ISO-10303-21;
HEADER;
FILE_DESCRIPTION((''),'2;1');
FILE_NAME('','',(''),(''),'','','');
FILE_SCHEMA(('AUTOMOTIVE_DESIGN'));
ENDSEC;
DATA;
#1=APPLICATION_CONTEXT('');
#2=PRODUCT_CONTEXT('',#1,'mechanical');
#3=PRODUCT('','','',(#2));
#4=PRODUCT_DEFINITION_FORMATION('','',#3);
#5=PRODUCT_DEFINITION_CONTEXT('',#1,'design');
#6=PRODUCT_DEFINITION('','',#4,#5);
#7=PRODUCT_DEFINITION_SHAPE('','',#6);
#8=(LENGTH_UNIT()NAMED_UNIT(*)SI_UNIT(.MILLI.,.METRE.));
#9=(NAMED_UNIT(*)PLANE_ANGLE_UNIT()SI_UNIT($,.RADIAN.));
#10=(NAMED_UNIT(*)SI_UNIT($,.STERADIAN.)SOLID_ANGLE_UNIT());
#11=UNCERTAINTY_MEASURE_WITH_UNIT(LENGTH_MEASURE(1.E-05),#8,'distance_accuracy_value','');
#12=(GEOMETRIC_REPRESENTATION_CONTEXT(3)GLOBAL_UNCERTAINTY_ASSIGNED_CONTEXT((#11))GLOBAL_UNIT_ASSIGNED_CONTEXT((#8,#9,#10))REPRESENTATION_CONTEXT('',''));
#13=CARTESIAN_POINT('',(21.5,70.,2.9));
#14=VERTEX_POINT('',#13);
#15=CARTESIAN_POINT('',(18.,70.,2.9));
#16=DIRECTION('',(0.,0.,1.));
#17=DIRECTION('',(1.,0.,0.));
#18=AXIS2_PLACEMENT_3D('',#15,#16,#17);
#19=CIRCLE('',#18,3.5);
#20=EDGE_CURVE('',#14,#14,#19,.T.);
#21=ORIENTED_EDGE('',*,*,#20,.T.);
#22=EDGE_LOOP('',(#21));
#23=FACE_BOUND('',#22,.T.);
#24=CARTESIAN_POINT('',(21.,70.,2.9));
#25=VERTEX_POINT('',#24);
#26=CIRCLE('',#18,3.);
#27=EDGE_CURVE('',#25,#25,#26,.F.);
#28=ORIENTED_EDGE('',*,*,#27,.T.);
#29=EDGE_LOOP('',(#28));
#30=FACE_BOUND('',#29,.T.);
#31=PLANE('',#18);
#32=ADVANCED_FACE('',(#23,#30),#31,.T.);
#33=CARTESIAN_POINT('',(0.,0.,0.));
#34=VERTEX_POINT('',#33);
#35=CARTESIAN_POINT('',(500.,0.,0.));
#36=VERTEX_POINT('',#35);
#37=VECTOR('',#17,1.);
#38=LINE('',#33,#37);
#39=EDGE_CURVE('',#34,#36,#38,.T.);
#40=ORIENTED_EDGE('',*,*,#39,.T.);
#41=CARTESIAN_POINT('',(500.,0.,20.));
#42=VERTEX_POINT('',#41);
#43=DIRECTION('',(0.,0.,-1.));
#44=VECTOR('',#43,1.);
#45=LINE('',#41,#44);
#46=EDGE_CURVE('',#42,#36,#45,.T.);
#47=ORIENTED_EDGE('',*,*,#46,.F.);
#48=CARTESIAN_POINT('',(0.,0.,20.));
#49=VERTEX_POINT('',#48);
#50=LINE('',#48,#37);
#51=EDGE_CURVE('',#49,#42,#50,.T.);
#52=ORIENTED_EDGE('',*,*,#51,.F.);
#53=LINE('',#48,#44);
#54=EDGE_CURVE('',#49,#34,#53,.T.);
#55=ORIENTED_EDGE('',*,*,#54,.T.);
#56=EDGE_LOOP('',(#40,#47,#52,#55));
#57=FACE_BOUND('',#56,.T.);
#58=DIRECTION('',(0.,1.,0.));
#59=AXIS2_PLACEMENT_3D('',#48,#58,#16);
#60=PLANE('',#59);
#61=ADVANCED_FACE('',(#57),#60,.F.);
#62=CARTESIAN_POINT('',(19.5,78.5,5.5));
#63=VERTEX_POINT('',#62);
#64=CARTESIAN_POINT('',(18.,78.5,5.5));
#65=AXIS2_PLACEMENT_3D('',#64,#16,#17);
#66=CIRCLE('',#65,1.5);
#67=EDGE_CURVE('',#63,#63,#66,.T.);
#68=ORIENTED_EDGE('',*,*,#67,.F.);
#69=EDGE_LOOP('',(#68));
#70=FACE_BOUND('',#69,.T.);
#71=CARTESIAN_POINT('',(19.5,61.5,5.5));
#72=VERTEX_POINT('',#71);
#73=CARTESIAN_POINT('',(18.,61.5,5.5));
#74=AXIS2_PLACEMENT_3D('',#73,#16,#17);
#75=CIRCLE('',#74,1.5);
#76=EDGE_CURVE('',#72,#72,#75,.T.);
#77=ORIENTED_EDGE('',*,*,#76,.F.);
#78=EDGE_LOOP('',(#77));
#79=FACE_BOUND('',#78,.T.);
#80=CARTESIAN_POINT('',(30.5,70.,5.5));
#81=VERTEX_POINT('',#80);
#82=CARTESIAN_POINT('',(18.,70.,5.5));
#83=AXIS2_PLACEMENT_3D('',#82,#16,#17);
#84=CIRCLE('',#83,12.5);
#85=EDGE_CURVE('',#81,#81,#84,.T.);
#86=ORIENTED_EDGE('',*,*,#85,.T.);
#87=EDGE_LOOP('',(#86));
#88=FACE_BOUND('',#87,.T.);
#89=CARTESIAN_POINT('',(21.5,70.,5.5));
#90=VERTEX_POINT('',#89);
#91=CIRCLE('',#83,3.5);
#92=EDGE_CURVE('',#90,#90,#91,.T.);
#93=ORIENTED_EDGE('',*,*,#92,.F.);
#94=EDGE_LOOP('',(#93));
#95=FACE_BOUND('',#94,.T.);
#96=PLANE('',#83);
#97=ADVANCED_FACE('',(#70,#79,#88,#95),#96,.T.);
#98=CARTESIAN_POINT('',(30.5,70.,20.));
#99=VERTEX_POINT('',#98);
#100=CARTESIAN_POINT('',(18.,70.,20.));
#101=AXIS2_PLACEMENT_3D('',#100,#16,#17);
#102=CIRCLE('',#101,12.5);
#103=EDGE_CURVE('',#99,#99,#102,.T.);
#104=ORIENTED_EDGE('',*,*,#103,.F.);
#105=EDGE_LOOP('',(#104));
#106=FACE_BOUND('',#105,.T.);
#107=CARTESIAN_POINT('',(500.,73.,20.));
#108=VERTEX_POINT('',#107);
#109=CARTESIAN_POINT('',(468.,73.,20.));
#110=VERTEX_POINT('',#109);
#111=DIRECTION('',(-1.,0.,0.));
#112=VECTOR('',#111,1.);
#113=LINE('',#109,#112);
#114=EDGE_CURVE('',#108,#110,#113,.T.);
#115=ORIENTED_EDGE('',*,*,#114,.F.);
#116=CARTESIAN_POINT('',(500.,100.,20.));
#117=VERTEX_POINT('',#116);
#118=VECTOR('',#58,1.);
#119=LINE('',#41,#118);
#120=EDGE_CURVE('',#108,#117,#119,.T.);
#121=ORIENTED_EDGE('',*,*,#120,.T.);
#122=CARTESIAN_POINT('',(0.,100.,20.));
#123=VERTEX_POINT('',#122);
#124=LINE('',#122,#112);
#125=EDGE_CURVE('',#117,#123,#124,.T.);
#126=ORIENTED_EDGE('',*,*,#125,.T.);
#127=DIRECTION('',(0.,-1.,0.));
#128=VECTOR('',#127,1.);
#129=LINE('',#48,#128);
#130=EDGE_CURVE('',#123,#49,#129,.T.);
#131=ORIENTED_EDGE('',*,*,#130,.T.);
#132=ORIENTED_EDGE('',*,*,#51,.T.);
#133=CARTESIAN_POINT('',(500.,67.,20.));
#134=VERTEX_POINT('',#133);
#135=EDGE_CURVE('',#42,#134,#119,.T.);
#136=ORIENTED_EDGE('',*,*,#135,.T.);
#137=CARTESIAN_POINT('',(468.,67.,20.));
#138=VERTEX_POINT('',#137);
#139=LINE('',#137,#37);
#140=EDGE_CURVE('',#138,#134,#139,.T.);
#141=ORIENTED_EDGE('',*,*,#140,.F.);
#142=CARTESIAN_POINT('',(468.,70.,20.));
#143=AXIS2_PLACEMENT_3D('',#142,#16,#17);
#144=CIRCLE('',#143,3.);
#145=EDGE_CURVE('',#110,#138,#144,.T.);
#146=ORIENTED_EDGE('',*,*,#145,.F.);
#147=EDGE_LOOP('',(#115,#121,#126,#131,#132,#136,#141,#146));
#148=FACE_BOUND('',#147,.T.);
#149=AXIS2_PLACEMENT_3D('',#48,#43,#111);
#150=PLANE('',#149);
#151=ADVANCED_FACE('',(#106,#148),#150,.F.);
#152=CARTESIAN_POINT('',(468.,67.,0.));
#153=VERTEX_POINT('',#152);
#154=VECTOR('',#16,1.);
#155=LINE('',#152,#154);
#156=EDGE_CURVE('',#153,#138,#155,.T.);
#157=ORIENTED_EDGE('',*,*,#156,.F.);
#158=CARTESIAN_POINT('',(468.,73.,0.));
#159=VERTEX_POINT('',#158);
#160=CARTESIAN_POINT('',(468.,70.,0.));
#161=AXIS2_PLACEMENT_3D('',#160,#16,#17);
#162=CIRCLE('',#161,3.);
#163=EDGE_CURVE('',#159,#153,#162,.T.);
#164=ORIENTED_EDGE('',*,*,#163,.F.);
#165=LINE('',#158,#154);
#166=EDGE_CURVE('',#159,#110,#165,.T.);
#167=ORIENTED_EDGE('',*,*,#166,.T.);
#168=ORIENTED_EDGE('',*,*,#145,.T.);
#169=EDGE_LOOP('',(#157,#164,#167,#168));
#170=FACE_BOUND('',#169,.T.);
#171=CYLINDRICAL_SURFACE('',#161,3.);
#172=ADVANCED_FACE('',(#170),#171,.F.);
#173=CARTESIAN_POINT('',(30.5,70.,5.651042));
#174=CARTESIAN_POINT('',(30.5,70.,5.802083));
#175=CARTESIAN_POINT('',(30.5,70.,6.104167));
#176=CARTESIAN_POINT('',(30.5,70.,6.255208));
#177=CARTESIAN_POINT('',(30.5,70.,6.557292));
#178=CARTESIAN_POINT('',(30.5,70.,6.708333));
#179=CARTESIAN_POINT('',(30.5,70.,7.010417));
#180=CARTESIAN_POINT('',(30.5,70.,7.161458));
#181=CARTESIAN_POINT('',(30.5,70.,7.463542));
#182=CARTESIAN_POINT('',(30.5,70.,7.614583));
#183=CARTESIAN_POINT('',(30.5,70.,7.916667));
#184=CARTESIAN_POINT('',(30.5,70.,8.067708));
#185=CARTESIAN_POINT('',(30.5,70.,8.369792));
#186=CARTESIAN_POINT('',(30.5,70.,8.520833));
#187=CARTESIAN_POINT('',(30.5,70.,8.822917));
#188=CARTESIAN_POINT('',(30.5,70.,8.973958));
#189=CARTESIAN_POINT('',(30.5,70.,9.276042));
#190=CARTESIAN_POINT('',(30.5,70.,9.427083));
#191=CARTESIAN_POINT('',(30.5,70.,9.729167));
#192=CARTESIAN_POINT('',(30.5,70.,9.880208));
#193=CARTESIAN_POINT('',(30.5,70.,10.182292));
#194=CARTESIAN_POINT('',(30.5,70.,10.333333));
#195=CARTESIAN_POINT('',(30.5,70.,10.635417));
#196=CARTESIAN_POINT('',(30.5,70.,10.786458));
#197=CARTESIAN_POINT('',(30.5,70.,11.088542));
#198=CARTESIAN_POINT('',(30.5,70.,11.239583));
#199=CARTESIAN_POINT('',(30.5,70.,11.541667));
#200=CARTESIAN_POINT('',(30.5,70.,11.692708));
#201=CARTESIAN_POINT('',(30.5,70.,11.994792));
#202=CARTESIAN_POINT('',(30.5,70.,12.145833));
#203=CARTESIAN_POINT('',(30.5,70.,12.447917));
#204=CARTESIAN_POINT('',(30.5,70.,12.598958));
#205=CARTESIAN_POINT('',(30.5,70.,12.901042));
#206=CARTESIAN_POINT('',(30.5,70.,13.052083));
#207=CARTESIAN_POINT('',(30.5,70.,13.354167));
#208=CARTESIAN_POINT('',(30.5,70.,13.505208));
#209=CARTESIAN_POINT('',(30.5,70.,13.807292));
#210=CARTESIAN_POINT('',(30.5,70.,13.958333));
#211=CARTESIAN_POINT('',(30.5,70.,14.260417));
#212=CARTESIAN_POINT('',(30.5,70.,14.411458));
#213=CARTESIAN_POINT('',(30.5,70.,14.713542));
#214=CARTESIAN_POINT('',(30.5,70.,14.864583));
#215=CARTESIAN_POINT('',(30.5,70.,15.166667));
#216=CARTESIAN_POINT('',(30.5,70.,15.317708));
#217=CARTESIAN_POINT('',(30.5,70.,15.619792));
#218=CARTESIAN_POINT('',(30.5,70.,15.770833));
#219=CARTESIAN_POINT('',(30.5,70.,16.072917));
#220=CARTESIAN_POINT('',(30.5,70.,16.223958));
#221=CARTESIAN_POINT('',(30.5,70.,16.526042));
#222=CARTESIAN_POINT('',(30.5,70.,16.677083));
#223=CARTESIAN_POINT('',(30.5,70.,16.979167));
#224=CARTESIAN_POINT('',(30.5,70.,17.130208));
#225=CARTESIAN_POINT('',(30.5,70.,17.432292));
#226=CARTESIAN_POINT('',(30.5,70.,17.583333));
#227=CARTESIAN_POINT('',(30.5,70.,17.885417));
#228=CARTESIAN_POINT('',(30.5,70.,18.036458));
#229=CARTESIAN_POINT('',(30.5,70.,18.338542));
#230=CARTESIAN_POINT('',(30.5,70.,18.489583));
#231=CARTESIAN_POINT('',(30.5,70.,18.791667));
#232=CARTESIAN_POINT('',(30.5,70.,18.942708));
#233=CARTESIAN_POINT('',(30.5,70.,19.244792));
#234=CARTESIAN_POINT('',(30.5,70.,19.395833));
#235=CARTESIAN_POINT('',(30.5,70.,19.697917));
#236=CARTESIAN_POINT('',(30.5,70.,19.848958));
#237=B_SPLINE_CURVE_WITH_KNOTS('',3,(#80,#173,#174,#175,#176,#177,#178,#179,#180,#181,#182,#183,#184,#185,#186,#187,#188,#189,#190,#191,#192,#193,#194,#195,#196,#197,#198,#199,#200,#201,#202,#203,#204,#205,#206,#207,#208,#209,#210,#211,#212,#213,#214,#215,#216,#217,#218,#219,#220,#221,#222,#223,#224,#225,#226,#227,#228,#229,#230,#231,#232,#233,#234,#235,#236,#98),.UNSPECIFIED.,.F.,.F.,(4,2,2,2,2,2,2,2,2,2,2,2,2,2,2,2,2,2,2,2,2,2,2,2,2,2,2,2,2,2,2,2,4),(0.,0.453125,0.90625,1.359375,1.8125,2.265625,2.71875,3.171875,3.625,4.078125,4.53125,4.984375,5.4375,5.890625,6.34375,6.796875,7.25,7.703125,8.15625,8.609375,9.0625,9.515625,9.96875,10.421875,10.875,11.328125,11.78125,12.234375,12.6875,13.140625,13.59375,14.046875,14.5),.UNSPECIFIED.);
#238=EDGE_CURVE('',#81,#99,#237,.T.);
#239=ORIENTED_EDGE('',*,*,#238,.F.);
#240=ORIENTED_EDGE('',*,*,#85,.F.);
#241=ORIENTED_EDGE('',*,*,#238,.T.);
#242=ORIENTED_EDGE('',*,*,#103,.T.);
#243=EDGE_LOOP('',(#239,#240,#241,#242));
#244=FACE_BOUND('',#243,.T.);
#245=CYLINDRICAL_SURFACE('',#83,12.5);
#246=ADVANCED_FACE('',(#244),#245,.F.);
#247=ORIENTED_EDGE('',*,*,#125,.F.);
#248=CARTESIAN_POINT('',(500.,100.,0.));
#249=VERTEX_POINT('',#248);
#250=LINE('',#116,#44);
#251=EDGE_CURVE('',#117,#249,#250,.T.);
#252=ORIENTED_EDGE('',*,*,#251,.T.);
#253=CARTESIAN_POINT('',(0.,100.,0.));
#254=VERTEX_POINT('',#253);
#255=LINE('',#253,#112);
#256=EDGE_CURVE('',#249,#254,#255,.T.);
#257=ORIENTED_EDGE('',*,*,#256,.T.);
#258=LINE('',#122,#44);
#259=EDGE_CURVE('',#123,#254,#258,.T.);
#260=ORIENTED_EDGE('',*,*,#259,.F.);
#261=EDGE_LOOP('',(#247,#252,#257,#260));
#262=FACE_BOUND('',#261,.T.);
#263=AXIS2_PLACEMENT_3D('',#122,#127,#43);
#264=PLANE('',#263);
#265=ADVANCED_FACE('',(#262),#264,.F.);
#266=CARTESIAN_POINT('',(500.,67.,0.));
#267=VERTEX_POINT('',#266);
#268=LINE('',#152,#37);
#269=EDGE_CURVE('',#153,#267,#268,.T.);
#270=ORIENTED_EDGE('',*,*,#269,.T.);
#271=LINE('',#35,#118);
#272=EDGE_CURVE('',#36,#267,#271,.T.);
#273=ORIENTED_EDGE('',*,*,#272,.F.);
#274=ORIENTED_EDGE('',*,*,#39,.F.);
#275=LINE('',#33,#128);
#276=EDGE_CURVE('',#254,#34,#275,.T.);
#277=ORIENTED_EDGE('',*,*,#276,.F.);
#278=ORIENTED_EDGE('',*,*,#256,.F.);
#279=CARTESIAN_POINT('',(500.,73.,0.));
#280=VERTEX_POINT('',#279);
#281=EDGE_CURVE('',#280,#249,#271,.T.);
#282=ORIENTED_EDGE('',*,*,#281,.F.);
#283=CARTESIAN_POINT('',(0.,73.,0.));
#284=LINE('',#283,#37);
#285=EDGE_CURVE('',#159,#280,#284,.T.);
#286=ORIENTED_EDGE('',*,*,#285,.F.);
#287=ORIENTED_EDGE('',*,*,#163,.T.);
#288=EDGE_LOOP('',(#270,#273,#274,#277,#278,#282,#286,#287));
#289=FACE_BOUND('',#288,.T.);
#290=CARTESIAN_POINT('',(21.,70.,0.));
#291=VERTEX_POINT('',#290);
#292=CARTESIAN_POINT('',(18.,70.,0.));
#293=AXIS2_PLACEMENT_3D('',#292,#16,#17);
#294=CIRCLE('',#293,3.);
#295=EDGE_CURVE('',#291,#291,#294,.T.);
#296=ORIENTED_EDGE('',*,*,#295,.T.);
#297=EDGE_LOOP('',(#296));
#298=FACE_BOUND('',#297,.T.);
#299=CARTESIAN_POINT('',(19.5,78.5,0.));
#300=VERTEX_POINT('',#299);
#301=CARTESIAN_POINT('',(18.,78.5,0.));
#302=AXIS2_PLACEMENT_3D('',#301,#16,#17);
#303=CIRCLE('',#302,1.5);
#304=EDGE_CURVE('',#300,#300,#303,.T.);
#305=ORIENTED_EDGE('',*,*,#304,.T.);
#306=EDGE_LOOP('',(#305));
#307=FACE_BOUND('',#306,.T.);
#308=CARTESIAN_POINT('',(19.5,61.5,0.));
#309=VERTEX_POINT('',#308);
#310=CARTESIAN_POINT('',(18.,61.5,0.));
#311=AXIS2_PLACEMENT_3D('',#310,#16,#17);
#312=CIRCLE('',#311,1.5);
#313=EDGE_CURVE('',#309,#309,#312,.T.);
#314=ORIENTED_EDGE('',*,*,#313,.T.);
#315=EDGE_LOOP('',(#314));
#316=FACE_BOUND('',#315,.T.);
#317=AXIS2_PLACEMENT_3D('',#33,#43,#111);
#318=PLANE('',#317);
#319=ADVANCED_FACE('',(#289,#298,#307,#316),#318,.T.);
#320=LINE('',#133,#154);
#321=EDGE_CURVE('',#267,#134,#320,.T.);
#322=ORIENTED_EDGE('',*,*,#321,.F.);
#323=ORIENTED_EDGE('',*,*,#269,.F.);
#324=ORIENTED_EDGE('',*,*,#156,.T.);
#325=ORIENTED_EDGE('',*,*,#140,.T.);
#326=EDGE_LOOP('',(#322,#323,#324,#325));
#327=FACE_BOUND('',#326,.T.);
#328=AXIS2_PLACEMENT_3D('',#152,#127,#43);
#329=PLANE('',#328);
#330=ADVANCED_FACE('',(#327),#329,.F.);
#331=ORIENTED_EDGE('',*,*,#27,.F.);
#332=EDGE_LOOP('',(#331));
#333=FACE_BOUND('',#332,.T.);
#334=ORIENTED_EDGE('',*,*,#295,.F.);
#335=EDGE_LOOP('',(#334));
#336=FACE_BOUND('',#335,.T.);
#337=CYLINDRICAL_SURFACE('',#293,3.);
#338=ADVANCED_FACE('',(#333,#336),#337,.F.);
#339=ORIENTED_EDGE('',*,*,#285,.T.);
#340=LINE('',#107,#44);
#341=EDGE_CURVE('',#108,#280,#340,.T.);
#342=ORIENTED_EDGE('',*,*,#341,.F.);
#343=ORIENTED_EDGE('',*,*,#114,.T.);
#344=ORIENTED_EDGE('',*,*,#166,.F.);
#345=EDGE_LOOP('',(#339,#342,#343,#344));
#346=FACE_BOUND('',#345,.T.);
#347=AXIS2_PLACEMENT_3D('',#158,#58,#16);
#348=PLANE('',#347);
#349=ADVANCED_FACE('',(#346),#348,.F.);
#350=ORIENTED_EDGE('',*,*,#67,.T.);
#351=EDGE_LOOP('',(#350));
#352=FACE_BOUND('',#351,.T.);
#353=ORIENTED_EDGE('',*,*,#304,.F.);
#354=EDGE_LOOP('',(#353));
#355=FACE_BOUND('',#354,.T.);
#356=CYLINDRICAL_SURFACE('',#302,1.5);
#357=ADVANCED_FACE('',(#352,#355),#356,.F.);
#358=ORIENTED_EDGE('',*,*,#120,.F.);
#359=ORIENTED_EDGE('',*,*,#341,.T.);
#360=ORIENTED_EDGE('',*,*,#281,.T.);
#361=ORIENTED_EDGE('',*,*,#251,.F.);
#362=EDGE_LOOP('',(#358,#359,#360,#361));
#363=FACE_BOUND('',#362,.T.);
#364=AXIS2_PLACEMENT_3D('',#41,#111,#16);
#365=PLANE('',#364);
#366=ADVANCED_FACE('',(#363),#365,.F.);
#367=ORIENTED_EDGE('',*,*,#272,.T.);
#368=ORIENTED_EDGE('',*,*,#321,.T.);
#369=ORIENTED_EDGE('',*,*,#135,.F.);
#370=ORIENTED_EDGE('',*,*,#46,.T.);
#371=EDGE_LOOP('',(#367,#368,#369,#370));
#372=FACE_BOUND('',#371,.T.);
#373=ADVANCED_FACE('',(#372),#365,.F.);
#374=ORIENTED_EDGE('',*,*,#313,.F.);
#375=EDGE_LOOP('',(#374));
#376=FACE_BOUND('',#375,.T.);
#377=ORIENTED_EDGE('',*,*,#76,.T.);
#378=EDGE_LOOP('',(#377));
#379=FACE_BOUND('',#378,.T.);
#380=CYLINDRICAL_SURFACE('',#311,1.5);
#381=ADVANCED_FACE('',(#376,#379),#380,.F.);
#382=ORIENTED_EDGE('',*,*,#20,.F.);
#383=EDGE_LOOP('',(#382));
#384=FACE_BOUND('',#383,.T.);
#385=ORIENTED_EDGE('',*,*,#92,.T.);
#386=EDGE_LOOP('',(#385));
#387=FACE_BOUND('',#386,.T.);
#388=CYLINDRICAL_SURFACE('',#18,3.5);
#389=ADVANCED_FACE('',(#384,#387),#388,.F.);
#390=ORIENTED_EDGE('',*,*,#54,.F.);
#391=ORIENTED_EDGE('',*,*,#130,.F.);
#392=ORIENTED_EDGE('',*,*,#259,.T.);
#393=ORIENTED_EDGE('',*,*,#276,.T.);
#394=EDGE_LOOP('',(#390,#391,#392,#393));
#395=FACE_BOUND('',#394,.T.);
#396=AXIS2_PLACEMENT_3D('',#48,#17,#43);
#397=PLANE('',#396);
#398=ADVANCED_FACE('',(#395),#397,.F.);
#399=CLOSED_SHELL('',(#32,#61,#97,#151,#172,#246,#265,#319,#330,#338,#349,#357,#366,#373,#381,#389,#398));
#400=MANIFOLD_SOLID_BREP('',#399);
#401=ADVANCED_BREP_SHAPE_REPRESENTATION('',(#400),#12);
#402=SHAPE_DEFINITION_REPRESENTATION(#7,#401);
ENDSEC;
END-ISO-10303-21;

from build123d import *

# Parameters (mm, degrees)
SKETCH1_W           = 500
SKETCH1_H           = 100
BOSS_EXTRUDE1_DEPTH = 20
SKETCH2_R           = 3
CUT_EXTRUDE1_DEPTH  = 511.294032887
SKETCH3_R           = 12.5
CUT_EXTRUDE2_DEPTH  = 14.5
SKETCH4_R           = 3.5
CUT_EXTRUDE3_DEPTH  = 2.6
SKETCH5_R           = 1.5
CUT_EXTRUDE4_DEPTH  = 511.108076784


with BuildPart() as part:
    # Sketch1 → Boss-Extrude1 (new body)
    with BuildSketch(Plane.XY):
        with Locations((250, 50)):
            Rectangle(SKETCH1_W, SKETCH1_H)
    extrude(amount=BOSS_EXTRUDE1_DEPTH)

    # Sketch2 → Cut-Extrude1 (cut, through all)
    with BuildSketch(Plane.XY.offset(20)):
        with Locations((18, 70)):
            Circle(SKETCH2_R)
        with BuildLine():
            Line((468, 73), (520, 73))
            ThreePointArc((520, 73), (523, 70), (520, 67))
            Line((520, 67), (468, 67))
            ThreePointArc((468, 67), (465, 70), (468, 73))
        make_face()
    extrude(amount=-CUT_EXTRUDE1_DEPTH, mode=Mode.SUBTRACT)

    # Sketch3 → Cut-Extrude2 (cut)
    with BuildSketch(Plane.XY.offset(20)):
        with Locations((18, 70)):
            Circle(SKETCH3_R)
    extrude(amount=-CUT_EXTRUDE2_DEPTH, mode=Mode.SUBTRACT)

    # Sketch4 → Cut-Extrude3 (cut)
    with BuildSketch(Plane.XY.offset(5.5)):
        with Locations((18, 70)):
            Circle(SKETCH4_R)
    extrude(amount=-CUT_EXTRUDE3_DEPTH, mode=Mode.SUBTRACT)

    # Sketch5 → Cut-Extrude4 (cut, through all)
    with BuildSketch(Plane.XY.offset(5.5)):
        with Locations((18, 61.5)):
            Circle(SKETCH5_R)
        with Locations((18, 78.5)):
            Circle(SKETCH5_R)
    extrude(amount=-CUT_EXTRUDE4_DEPTH, mode=Mode.SUBTRACT)


solid = part.part
